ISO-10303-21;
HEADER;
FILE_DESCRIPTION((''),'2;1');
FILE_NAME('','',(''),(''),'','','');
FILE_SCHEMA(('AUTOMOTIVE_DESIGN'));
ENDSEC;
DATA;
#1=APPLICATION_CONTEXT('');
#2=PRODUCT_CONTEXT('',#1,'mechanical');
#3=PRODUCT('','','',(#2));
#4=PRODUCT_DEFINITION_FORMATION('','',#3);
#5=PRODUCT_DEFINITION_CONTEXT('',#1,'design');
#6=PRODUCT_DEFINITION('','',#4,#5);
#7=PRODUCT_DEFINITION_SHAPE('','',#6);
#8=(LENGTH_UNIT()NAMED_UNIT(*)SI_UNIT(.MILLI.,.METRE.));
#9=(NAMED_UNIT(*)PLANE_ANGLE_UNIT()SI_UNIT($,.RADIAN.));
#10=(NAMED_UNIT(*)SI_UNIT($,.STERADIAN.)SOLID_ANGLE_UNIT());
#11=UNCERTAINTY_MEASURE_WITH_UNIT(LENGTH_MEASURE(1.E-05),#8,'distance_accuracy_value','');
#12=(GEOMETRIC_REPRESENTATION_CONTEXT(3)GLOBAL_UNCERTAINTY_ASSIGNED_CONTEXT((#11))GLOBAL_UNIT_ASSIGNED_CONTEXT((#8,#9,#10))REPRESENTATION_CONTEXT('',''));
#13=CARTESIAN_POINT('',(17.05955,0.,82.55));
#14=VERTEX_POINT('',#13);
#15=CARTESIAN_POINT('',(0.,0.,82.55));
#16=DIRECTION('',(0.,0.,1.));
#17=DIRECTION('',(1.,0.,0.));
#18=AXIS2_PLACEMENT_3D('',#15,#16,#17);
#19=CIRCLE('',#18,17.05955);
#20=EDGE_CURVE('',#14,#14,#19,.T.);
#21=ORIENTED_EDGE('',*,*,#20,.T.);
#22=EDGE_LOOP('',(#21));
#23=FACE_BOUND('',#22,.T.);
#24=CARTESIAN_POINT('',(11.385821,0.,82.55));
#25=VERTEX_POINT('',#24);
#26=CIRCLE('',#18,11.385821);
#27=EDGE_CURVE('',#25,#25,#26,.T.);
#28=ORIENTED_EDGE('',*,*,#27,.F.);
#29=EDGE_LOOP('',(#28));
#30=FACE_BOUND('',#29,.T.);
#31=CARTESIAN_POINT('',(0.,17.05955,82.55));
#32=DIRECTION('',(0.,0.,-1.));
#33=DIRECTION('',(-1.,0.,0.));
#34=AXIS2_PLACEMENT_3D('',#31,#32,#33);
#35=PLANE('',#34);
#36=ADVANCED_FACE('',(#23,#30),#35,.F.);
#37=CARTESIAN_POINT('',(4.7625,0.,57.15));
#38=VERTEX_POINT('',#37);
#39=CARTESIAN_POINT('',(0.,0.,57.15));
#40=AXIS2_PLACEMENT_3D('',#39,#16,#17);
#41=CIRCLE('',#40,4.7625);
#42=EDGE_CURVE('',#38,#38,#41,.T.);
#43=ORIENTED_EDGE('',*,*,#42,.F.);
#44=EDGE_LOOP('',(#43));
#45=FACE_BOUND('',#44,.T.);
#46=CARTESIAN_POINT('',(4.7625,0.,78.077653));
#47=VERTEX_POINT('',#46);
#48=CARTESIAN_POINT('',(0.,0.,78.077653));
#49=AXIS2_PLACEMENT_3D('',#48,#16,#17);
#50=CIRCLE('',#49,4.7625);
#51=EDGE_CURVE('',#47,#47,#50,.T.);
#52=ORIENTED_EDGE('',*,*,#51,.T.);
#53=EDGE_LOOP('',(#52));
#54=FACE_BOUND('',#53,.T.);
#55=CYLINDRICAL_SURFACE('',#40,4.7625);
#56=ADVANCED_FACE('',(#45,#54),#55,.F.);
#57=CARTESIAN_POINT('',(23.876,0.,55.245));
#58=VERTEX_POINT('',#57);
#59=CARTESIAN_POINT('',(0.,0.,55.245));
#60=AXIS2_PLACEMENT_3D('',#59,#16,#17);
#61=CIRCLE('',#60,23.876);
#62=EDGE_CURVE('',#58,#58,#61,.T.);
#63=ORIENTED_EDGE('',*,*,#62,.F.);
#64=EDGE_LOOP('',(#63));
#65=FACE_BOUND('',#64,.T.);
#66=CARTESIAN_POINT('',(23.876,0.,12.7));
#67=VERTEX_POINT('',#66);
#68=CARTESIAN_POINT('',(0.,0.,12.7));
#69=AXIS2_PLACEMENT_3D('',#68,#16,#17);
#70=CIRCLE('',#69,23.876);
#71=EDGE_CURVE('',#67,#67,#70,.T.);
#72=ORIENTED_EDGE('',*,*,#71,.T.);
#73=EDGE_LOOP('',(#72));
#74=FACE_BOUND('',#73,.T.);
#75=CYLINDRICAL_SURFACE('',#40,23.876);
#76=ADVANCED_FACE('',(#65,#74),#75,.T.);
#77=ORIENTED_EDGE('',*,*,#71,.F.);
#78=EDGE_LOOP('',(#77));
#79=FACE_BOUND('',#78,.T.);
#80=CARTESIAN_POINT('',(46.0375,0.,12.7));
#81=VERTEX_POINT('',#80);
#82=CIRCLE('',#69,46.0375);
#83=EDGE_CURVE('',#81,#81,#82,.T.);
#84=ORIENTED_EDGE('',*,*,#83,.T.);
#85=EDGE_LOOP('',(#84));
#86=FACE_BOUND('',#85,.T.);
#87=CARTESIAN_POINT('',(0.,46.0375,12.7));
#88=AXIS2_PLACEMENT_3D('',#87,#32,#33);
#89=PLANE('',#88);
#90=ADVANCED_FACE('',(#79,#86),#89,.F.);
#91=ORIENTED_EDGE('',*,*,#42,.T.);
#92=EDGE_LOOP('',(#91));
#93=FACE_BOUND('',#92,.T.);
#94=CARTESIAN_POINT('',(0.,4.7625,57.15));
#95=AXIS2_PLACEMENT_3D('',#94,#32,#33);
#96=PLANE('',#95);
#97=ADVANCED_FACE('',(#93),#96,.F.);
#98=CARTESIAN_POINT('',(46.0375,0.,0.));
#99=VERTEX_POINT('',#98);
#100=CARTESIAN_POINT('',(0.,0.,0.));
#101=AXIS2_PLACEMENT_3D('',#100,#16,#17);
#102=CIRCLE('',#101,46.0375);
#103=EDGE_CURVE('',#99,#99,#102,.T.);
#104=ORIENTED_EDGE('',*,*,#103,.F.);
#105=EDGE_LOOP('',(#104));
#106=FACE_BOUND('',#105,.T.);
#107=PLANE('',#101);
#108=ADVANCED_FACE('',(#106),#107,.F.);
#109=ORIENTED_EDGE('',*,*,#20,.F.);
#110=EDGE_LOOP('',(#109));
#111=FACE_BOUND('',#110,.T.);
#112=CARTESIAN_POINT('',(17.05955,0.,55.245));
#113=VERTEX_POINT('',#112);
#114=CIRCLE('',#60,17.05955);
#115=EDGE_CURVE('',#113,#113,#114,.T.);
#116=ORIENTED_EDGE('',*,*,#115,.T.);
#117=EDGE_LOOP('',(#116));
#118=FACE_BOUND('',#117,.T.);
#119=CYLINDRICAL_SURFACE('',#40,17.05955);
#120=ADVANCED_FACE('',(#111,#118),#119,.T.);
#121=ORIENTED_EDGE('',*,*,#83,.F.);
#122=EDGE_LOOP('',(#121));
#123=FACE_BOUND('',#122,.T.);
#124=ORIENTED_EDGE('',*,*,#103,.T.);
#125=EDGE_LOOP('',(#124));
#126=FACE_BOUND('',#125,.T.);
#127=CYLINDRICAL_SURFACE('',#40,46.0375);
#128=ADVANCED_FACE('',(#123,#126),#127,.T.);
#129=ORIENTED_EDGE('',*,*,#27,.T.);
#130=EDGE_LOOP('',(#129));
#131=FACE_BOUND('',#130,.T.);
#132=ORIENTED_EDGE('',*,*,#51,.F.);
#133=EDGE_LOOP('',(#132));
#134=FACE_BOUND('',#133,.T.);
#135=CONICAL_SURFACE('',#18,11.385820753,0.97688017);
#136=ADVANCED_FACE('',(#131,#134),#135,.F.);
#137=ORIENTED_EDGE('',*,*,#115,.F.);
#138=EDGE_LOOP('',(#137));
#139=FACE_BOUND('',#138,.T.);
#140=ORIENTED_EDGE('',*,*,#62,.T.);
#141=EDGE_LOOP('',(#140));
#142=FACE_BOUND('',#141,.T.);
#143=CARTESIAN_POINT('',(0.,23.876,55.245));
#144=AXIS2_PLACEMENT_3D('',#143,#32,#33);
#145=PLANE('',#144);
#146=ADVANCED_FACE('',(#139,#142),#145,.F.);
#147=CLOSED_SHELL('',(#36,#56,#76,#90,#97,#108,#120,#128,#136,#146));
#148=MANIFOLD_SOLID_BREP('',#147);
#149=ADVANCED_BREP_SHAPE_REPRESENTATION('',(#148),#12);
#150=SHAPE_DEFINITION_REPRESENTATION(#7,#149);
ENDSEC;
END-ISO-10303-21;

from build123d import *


with BuildPart() as part:
    # Sketch1 → Revolve1 (revolve)
    with BuildSketch(Plane(origin=(0, 0, 0), x_dir=(0, 0, -1), z_dir=(1, 0, 0)), mode=Mode.PRIVATE) as revolve1_sk:
        Polygon((0, 0), (0, 46.0375), (-12.7, 46.0375), (-12.7, 23.876), (-55.245, 23.876), (-55.245, 17.059549957), (-82.55, 17.059549957), (-82.55, 11.385820753), (-78.077653169, 4.7625), (-57.15, 4.7625), (-57.15, 0), align=None)
    revolve(revolve1_sk.sketch.rotate(Axis((0, 0, 57.15), (0, 0, -1)), 90), axis=Axis((0, 0, 57.15), (0, 0, -1)))


solid = part.part
